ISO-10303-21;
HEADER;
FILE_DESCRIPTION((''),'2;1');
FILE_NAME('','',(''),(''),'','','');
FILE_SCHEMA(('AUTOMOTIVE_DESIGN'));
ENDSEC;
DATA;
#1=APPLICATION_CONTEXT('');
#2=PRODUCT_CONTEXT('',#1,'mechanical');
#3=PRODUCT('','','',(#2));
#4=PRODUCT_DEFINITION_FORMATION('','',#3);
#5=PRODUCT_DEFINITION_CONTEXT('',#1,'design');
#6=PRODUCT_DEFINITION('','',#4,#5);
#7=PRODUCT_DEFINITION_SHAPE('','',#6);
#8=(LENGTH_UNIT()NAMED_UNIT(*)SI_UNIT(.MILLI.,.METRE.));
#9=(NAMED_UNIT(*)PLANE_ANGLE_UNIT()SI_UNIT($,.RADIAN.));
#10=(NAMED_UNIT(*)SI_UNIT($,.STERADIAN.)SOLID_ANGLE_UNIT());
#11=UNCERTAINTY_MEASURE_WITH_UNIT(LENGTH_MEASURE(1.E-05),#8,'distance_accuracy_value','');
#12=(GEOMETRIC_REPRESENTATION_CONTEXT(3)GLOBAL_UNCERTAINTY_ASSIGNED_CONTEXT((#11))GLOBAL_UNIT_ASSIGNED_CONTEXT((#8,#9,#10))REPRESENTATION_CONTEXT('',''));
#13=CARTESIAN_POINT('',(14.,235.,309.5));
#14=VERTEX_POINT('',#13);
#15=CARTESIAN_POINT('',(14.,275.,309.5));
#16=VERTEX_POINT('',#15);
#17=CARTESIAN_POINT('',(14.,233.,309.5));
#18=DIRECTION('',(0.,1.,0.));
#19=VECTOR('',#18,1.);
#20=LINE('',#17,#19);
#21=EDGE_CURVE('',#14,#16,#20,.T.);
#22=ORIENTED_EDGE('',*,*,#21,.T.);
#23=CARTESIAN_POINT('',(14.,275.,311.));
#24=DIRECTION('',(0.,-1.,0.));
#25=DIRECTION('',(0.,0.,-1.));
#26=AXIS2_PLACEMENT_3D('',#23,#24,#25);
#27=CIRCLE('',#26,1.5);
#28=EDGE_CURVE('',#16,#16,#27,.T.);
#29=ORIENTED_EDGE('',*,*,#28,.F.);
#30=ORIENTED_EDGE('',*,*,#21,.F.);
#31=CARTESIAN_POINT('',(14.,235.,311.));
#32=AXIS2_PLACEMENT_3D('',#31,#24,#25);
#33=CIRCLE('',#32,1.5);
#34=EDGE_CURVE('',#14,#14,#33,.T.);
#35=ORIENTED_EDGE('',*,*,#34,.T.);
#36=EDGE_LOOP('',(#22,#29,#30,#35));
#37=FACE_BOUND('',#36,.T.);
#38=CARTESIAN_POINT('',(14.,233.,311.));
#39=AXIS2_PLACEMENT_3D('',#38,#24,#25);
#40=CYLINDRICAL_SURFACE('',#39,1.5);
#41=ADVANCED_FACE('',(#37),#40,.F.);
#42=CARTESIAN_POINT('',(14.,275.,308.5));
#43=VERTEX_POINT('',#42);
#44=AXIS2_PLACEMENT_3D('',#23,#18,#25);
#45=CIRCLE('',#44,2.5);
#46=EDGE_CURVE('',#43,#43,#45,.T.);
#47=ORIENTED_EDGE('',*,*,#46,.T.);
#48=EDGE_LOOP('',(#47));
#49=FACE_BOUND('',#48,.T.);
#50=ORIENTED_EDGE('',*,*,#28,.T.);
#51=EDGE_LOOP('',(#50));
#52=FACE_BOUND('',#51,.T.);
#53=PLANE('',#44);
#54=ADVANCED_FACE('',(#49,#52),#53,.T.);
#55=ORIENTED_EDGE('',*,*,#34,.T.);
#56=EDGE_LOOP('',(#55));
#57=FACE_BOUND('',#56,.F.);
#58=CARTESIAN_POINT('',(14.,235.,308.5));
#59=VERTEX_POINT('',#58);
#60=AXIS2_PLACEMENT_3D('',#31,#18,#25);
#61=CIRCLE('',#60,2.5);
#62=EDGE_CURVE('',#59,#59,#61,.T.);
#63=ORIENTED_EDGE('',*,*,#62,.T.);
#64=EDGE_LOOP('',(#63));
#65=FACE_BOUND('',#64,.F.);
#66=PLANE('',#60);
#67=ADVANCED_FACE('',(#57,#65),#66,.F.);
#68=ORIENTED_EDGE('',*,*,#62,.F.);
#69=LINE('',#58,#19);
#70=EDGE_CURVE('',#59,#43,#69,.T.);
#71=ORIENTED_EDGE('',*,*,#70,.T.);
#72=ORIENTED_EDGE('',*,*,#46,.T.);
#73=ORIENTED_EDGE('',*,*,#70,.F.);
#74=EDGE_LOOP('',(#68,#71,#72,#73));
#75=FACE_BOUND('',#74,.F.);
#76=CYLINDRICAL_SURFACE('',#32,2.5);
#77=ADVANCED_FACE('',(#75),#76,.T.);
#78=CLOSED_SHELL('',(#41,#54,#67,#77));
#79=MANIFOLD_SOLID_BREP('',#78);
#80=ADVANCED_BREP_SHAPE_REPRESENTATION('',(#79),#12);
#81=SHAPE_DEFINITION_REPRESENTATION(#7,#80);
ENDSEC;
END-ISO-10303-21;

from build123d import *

# Parameters (mm, degrees)
CYLINDER003_R           = 1.5
CYLINDER003_DEPTH       = 44
CYLINDER003_PITCH_ANGLE = 90
CYLINDER002_R           = 2.5
CYLINDER002_DEPTH       = 40
CYLINDER002_PITCH_ANGLE = 90
CUT005_PLACEMENT_ANGLE  = 90


with BuildPart() as cilindro003:
    # Cylinder003 → Cylinder003 (new body)
    with BuildSketch(Plane.XY):
        Circle(CYLINDER003_R)
    extrude(amount=CYLINDER003_DEPTH)


with BuildPart() as cilindro003_1:
    # Cylinder003 pitch: moved
    add(cilindro003.part.rotate(Axis((0, 0, 0), (0, 1, 0)), CYLINDER003_PITCH_ANGLE))


with BuildPart() as cilindro003_2:
    # Cylinder003 placement: moved
    add(cilindro003_1.part.moved(Location((-2, 0, 0))))


with BuildPart() as soporte006:
    # Cylinder002 → Cylinder002 (new body)
    with BuildSketch(Plane.XY):
        Circle(CYLINDER002_R)
    extrude(amount=CYLINDER002_DEPTH)


with BuildPart() as soporte006_1:
    # Cylinder002 pitch: moved
    add(soporte006.part.rotate(Axis((0, 0, 0), (0, 1, 0)), CYLINDER002_PITCH_ANGLE))


with BuildPart() as soporte006_2:
    # Cylinder002 placement: moved
    add(soporte006_1.part)

    # Cut005: cut Cilindro003
    add(cilindro003_2.part, mode=Mode.SUBTRACT)


with BuildPart() as soporte006_3:
    # Cut005 placement: moved
    add(soporte006_2.part.moved(Location((14, 235, 311))).rotate(Axis((14, 235, 311), (0, 0, 1)), CUT005_PLACEMENT_ANGLE))


solid = soporte006_3.part
